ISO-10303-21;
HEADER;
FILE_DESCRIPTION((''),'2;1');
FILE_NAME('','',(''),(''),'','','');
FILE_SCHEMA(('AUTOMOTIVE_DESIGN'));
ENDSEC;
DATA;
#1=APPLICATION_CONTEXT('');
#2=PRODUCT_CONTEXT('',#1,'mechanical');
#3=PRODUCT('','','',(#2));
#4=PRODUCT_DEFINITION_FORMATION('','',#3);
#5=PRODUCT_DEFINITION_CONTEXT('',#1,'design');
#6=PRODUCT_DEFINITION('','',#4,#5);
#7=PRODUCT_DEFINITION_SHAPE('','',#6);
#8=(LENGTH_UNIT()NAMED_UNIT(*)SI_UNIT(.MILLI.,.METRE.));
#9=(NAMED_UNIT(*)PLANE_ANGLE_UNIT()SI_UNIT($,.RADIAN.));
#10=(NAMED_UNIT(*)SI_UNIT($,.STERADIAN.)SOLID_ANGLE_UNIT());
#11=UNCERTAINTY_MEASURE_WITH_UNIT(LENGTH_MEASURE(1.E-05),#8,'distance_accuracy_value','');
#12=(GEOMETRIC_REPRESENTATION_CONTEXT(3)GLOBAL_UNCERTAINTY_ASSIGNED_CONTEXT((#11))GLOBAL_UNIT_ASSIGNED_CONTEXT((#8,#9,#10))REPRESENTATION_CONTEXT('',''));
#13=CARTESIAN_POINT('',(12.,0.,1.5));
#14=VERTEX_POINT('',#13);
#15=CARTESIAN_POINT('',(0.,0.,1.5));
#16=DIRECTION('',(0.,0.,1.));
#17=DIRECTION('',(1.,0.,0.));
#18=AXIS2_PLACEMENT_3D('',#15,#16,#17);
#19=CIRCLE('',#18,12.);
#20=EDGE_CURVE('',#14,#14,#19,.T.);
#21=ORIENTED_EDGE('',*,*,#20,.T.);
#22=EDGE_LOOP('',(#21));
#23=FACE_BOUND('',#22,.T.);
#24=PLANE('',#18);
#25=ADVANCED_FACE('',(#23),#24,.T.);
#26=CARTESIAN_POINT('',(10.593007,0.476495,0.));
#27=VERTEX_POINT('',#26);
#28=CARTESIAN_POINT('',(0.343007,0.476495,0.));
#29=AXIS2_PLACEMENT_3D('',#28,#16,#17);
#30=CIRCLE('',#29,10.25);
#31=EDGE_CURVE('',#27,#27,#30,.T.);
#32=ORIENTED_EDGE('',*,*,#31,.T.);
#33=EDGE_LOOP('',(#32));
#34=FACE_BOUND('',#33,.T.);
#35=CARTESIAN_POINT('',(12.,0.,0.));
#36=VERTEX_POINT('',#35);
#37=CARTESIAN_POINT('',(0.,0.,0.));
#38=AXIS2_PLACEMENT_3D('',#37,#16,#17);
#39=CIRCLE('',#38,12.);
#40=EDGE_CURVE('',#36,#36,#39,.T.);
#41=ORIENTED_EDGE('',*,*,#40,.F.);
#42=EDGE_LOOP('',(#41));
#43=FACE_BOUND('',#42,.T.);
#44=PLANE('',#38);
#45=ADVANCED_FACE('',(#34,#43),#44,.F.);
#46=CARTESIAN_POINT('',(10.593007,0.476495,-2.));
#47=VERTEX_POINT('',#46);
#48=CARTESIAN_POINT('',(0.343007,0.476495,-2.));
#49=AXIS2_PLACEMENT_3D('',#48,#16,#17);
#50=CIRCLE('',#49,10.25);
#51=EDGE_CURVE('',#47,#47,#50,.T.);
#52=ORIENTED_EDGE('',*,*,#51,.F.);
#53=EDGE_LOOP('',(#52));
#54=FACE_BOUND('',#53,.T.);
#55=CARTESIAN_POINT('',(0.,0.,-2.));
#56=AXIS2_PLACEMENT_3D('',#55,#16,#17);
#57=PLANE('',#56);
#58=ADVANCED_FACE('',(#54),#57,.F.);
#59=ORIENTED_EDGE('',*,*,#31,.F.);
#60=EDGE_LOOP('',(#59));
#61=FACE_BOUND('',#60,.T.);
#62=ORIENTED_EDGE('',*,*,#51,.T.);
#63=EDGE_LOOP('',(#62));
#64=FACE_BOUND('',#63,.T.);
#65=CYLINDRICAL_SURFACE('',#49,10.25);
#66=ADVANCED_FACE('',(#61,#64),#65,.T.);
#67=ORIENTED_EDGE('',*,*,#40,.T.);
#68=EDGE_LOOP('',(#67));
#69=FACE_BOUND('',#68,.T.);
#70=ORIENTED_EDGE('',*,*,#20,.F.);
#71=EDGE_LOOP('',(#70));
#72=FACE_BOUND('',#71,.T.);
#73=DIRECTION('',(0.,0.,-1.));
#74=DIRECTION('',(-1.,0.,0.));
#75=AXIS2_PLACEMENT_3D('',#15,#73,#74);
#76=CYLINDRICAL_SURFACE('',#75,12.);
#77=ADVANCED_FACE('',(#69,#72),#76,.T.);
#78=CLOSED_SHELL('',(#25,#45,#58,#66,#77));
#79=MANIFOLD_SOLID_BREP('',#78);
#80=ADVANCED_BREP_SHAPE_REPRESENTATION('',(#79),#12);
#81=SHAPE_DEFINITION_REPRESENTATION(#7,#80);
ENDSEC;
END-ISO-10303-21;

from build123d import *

# Parameters (mm, degrees)
SZKIC1_R                    = 12
DODANIE_WYCI_GNI_CIE1_DEPTH = 1.5
SZKIC1_3_R                  = 10.25
DODANIE_WYCI_GNI_CIE2_DEPTH = 2


with BuildPart() as part:
    # Szkic1 → Dodanie-wyci_gni_cie1 (new body)
    with BuildSketch(Plane.XY):
        Circle(SZKIC1_R)
    extrude(amount=DODANIE_WYCI_GNI_CIE1_DEPTH)

    # Szkic1_3 → Dodanie-wyci_gni_cie2 (add)
    with BuildSketch(Plane.XY):
        with Locations((0.343006843, 0.476494591)):
            Circle(SZKIC1_3_R)
    extrude(amount=-DODANIE_WYCI_GNI_CIE2_DEPTH)


solid = part.part
